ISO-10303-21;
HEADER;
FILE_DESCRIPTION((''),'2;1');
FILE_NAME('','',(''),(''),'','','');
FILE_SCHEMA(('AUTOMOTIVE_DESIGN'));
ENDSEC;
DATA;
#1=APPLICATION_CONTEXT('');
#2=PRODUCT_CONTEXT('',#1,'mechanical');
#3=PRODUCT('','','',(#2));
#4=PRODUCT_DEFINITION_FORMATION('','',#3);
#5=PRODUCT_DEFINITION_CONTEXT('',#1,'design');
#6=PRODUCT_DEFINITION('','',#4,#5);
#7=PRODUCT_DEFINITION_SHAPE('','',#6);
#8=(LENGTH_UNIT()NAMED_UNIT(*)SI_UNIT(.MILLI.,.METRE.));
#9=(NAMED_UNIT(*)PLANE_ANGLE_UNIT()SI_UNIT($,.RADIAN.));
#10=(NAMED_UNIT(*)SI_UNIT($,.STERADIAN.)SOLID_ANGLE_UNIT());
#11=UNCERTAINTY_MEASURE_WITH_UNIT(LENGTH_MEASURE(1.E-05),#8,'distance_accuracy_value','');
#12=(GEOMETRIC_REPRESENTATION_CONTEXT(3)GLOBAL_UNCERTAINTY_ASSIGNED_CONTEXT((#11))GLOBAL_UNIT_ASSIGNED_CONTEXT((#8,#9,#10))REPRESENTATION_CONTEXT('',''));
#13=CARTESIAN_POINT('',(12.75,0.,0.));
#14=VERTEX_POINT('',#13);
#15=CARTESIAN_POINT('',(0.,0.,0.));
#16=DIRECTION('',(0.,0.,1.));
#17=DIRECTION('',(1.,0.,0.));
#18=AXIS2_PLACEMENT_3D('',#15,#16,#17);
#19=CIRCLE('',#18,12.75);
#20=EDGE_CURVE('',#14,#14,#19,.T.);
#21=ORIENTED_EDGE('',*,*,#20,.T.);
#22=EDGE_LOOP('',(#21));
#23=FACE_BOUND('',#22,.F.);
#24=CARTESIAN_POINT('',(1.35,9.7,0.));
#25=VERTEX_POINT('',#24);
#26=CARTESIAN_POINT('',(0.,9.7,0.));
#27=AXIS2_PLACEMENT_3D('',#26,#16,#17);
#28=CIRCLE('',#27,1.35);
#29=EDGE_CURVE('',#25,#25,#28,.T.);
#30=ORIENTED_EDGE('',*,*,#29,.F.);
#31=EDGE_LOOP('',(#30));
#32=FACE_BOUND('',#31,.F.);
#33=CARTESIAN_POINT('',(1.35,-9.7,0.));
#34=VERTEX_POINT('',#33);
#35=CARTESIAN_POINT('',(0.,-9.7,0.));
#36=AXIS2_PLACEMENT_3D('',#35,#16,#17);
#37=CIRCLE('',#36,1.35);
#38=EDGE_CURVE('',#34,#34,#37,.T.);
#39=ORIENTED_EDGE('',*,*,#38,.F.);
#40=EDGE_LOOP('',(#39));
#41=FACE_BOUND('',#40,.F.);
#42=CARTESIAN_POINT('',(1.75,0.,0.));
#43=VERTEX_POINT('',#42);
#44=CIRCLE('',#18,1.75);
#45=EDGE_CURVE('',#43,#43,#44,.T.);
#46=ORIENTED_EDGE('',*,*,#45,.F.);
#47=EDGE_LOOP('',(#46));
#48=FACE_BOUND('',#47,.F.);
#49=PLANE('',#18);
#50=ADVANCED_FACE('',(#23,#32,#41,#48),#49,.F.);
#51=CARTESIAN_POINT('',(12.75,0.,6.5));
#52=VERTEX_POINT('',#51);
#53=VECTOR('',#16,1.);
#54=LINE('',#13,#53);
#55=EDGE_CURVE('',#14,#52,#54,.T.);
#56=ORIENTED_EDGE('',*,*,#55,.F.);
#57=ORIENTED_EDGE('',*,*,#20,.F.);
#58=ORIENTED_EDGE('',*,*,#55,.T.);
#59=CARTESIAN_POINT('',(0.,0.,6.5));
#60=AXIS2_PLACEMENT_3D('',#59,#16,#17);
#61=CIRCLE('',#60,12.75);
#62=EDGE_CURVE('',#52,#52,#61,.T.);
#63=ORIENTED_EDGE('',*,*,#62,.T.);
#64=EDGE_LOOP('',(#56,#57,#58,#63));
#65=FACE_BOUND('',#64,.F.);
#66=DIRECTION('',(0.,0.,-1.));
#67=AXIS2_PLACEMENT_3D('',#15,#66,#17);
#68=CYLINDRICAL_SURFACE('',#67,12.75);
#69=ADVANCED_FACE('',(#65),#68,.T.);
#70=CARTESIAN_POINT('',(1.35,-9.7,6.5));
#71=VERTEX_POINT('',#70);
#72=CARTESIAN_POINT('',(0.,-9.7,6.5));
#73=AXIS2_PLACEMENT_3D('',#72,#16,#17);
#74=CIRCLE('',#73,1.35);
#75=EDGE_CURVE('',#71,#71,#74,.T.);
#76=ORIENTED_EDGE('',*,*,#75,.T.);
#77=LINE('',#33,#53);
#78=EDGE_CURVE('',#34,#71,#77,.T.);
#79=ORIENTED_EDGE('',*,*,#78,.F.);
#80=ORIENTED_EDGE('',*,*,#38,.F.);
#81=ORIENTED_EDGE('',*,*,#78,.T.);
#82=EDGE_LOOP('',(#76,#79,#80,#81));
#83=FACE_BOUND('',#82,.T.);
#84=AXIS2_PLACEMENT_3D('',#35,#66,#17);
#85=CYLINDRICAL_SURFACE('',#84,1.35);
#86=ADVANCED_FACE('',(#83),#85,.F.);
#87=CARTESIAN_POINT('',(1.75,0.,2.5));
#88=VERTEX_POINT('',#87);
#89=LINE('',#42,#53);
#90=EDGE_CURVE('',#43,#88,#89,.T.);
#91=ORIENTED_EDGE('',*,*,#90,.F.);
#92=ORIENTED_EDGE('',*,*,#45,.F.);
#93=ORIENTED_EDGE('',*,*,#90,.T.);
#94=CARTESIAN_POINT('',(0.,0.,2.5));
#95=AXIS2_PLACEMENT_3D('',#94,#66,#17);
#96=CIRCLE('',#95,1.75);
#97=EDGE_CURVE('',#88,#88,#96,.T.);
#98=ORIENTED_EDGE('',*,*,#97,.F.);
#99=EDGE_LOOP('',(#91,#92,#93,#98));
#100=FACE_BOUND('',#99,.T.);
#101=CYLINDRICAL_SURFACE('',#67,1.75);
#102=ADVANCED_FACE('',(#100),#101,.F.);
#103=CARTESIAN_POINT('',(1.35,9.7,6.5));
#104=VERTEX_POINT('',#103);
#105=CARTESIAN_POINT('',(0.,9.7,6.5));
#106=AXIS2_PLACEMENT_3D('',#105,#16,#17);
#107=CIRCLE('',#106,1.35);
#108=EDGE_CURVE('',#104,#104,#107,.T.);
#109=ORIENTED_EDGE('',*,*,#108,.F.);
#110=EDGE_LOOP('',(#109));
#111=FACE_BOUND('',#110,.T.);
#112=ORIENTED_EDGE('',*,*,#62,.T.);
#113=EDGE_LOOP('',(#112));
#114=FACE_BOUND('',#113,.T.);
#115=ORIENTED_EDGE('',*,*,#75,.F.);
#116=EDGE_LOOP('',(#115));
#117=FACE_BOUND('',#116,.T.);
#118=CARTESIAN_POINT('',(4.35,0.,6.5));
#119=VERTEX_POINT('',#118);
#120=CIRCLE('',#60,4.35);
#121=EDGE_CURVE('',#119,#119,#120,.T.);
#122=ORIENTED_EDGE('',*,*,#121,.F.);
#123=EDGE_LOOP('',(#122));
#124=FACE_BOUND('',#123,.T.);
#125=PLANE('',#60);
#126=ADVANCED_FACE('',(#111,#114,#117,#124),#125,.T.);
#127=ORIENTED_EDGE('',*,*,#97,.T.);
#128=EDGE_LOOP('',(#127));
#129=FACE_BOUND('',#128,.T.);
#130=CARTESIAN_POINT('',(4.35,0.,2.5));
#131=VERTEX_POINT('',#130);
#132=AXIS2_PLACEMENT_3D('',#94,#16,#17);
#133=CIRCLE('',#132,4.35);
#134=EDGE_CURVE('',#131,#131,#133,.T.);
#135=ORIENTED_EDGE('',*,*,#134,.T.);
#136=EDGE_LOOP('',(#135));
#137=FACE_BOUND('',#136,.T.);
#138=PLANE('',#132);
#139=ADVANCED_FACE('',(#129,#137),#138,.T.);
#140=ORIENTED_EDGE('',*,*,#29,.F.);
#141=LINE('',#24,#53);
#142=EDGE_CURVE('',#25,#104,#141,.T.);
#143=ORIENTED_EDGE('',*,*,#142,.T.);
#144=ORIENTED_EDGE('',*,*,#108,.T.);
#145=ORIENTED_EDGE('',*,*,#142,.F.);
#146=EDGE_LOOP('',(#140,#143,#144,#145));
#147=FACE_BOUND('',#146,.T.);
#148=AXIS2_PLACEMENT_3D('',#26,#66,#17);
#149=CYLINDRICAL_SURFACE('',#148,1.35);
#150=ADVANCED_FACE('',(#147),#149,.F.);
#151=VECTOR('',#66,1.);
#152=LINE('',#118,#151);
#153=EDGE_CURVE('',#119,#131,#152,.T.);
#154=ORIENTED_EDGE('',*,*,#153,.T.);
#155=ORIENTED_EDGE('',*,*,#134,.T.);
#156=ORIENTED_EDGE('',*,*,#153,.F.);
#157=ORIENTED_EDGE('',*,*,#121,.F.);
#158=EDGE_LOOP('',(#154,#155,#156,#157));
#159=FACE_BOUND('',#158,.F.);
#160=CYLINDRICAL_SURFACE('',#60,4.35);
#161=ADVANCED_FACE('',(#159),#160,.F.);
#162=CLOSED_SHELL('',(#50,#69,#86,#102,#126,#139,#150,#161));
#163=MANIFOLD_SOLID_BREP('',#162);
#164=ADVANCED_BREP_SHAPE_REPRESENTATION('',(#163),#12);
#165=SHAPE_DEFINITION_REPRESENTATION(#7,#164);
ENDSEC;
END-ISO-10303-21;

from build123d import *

# Parameters (mm, degrees)
F0_R     = 12.75
F0_R_2   = 1.35
F0_R_3   = 1.75
F1_DEPTH = 6.5
F2_R     = 4.35
F3_DEPTH = 4


with BuildPart() as f1:
    # F0 (on Top) → F1 (new body)
    with BuildSketch(Plane.XY):
        Circle(F0_R)
        with Locations((0, -9.7)):
            Circle(F0_R_2, mode=Mode.SUBTRACT)
        Circle(F0_R_3, mode=Mode.SUBTRACT)
        with Locations((0, 9.7)):
            Circle(F0_R_2, mode=Mode.SUBTRACT)
    extrude(amount=F1_DEPTH)

    # F2 (on face) → F3 (cut)
    with BuildSketch(Plane.XY.offset(6.5)):
        Circle(F2_R)
    extrude(amount=-F3_DEPTH, mode=Mode.SUBTRACT)


solid = f1.part
